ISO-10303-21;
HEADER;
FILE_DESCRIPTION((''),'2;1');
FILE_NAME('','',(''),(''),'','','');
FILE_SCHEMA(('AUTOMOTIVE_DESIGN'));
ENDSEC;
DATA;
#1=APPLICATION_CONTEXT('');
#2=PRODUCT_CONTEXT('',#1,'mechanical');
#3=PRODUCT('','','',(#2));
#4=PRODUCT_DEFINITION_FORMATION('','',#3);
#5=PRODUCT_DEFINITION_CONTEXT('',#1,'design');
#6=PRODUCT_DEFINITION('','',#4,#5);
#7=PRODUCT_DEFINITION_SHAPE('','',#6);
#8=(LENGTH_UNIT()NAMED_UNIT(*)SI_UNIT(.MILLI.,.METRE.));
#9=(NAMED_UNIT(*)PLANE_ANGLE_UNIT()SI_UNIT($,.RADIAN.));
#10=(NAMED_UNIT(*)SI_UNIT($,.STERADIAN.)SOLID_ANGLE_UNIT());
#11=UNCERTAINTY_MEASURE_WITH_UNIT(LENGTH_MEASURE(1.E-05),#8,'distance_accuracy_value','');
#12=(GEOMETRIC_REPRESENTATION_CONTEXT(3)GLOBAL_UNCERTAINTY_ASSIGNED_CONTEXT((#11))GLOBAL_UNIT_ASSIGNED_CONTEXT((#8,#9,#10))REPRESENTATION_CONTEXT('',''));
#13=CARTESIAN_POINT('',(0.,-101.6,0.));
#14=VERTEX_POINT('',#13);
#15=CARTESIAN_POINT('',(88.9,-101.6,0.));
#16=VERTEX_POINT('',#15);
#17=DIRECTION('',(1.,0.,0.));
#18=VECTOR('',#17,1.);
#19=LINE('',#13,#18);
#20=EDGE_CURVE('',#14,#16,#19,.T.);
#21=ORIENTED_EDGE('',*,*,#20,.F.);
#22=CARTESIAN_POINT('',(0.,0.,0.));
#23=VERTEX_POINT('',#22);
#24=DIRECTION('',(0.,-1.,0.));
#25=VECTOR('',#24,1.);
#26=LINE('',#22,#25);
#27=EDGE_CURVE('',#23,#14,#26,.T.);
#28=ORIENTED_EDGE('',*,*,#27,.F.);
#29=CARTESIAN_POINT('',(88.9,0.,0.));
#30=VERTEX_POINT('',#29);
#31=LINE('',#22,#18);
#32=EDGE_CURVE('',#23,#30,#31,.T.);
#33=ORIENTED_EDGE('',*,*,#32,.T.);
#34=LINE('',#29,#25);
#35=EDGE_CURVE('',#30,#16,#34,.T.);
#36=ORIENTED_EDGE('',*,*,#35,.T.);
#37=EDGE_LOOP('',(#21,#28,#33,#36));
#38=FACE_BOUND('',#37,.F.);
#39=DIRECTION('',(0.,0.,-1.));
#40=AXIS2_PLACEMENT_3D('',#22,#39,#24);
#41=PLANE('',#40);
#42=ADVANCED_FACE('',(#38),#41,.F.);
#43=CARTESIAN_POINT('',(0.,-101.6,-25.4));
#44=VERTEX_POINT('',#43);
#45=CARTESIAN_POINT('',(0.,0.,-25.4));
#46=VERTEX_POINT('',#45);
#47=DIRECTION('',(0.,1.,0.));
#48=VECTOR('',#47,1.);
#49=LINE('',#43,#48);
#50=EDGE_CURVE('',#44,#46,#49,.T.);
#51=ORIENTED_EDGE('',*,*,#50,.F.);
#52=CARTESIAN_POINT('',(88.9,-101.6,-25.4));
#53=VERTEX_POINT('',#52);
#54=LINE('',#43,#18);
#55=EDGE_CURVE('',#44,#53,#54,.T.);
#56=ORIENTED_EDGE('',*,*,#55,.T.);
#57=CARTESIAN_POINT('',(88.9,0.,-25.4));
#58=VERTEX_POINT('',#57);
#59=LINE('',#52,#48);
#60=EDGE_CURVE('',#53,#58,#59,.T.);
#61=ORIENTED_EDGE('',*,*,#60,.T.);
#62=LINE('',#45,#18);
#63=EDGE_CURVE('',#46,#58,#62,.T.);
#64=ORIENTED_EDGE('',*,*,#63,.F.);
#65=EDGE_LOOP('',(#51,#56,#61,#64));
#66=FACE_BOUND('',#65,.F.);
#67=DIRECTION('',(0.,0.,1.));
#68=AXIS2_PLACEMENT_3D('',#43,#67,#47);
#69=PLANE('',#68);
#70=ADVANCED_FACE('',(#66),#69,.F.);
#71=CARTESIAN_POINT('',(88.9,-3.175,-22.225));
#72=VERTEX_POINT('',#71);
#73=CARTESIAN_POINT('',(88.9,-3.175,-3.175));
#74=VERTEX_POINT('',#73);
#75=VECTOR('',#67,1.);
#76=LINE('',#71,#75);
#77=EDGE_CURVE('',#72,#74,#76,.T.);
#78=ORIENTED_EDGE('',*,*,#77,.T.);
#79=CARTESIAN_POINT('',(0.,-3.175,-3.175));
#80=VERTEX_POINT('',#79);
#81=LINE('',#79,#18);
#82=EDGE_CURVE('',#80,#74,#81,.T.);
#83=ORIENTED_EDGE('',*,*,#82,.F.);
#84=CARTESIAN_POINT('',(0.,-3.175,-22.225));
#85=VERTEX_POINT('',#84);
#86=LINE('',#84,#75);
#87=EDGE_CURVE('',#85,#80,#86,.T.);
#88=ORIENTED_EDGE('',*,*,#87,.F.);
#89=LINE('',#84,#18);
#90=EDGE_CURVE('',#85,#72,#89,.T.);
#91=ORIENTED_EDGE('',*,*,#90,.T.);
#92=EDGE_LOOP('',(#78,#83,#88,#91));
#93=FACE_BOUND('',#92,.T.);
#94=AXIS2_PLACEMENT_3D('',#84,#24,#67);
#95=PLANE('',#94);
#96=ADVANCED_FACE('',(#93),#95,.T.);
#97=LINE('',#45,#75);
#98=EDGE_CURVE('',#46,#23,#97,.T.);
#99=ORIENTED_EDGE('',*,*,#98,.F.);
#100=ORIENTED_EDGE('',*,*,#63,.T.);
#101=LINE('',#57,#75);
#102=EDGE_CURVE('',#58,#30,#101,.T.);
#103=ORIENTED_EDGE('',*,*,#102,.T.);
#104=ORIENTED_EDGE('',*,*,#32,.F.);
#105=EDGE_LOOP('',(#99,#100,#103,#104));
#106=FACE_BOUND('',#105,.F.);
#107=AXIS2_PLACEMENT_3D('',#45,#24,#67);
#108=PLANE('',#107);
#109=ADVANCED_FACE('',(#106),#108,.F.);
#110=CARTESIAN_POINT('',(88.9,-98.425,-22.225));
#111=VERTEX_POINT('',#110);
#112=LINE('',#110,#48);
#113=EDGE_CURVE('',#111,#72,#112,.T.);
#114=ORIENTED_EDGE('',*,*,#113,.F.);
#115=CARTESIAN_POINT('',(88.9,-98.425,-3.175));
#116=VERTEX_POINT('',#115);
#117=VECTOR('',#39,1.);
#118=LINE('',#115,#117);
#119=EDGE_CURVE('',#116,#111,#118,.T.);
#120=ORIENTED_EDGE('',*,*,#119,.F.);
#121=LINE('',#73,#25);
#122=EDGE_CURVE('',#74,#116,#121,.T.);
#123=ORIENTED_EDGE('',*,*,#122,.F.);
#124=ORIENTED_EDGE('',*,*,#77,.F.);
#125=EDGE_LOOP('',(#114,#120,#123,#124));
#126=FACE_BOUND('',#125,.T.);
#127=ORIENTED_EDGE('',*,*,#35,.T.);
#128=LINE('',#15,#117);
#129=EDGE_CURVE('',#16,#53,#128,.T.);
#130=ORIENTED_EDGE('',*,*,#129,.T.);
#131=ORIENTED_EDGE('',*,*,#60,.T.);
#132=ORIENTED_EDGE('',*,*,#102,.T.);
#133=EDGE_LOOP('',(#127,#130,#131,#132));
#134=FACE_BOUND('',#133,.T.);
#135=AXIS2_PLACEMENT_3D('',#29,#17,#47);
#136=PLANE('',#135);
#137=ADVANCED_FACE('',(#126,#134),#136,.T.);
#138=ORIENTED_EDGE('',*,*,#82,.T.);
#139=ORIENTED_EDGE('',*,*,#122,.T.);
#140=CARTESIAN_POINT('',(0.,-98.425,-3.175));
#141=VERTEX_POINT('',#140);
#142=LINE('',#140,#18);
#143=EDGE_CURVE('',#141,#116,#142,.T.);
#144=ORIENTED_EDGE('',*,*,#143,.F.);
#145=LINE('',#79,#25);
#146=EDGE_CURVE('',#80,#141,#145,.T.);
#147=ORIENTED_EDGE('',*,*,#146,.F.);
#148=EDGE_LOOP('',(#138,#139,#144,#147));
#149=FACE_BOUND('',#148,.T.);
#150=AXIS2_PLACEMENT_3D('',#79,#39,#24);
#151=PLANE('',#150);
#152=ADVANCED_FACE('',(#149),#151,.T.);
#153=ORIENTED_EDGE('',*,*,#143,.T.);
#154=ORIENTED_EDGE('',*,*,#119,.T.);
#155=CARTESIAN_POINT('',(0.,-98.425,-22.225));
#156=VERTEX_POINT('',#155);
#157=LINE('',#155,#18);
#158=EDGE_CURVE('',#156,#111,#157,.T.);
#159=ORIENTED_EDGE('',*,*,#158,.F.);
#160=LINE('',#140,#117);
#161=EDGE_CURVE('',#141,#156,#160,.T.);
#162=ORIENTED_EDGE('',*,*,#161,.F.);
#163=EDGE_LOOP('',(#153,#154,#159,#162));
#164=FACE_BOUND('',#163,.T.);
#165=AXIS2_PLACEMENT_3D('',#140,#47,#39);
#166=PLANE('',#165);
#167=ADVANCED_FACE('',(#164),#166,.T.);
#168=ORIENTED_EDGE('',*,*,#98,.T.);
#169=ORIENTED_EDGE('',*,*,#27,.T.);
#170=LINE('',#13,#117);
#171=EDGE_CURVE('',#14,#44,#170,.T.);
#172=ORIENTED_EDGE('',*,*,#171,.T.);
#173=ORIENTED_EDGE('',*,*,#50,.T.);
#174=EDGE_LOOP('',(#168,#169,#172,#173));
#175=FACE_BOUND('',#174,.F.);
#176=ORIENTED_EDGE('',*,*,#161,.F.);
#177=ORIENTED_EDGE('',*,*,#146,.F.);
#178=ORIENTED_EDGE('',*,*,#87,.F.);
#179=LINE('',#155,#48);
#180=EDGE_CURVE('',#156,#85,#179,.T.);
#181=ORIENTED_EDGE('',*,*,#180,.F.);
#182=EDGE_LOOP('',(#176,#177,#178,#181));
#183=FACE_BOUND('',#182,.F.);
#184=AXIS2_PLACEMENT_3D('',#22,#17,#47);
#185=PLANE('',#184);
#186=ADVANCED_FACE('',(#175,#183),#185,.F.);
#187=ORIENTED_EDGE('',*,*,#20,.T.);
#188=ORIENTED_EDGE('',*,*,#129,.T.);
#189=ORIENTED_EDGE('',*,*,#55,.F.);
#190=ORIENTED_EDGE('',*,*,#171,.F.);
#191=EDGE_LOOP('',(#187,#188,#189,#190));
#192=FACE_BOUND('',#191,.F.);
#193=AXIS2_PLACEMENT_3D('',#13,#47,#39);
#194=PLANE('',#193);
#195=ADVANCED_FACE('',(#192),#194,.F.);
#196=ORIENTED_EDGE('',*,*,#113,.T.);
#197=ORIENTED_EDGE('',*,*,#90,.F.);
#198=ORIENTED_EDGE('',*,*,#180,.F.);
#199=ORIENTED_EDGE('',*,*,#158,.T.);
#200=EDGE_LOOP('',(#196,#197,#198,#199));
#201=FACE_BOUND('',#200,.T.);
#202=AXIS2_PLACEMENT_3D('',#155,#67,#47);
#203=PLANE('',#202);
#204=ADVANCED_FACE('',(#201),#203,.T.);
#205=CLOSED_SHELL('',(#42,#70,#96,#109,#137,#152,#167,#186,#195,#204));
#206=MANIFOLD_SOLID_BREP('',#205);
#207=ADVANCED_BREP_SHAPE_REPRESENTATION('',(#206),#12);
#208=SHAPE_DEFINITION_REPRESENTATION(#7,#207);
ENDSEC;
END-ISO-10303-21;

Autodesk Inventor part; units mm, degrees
ref_plane "YZ Plane" through (0, 0, 0) normal (1, 0, 0) x (0, 1, 0)
ref_plane "XZ Plane" through (0, 0, 0) normal (0, 1, 0) x (-1, 0, 0)
ref_plane "XY Plane" through (0, 0, 0) normal (0, 0, 1) x (1, 0, 0)
sketch "Sketch1" plane through (0, 0, 0) normal (1, 0, 0) x (0, 1, 0)
  line L0 (0, 0) -> (-101.6, 0)
  line L1 (-101.6, 0) -> (-101.6, -25.4)
  line L2 (-101.6, -25.4) -> (0, -25.4)
  line L3 (0, -25.4) -> (0, 0)
  line L4 (-3.175, -3.175) -> (-98.425, -3.175)
  line L5 (-98.425, -3.175) -> (-98.425, -22.225)
  line L6 (-98.425, -22.225) -> (-3.175, -22.225)
  line L7 (-3.175, -22.225) -> (-3.175, -3.175)
  dimension "d0" = 101.6
  dimension "d1" = 25.4
  dimension "d2" = 3.175
extrude "Extrusion1" add sketch "Sketch1" along normal blind 88.9
properties part number "4x1 Box Beam 3.5 in"
